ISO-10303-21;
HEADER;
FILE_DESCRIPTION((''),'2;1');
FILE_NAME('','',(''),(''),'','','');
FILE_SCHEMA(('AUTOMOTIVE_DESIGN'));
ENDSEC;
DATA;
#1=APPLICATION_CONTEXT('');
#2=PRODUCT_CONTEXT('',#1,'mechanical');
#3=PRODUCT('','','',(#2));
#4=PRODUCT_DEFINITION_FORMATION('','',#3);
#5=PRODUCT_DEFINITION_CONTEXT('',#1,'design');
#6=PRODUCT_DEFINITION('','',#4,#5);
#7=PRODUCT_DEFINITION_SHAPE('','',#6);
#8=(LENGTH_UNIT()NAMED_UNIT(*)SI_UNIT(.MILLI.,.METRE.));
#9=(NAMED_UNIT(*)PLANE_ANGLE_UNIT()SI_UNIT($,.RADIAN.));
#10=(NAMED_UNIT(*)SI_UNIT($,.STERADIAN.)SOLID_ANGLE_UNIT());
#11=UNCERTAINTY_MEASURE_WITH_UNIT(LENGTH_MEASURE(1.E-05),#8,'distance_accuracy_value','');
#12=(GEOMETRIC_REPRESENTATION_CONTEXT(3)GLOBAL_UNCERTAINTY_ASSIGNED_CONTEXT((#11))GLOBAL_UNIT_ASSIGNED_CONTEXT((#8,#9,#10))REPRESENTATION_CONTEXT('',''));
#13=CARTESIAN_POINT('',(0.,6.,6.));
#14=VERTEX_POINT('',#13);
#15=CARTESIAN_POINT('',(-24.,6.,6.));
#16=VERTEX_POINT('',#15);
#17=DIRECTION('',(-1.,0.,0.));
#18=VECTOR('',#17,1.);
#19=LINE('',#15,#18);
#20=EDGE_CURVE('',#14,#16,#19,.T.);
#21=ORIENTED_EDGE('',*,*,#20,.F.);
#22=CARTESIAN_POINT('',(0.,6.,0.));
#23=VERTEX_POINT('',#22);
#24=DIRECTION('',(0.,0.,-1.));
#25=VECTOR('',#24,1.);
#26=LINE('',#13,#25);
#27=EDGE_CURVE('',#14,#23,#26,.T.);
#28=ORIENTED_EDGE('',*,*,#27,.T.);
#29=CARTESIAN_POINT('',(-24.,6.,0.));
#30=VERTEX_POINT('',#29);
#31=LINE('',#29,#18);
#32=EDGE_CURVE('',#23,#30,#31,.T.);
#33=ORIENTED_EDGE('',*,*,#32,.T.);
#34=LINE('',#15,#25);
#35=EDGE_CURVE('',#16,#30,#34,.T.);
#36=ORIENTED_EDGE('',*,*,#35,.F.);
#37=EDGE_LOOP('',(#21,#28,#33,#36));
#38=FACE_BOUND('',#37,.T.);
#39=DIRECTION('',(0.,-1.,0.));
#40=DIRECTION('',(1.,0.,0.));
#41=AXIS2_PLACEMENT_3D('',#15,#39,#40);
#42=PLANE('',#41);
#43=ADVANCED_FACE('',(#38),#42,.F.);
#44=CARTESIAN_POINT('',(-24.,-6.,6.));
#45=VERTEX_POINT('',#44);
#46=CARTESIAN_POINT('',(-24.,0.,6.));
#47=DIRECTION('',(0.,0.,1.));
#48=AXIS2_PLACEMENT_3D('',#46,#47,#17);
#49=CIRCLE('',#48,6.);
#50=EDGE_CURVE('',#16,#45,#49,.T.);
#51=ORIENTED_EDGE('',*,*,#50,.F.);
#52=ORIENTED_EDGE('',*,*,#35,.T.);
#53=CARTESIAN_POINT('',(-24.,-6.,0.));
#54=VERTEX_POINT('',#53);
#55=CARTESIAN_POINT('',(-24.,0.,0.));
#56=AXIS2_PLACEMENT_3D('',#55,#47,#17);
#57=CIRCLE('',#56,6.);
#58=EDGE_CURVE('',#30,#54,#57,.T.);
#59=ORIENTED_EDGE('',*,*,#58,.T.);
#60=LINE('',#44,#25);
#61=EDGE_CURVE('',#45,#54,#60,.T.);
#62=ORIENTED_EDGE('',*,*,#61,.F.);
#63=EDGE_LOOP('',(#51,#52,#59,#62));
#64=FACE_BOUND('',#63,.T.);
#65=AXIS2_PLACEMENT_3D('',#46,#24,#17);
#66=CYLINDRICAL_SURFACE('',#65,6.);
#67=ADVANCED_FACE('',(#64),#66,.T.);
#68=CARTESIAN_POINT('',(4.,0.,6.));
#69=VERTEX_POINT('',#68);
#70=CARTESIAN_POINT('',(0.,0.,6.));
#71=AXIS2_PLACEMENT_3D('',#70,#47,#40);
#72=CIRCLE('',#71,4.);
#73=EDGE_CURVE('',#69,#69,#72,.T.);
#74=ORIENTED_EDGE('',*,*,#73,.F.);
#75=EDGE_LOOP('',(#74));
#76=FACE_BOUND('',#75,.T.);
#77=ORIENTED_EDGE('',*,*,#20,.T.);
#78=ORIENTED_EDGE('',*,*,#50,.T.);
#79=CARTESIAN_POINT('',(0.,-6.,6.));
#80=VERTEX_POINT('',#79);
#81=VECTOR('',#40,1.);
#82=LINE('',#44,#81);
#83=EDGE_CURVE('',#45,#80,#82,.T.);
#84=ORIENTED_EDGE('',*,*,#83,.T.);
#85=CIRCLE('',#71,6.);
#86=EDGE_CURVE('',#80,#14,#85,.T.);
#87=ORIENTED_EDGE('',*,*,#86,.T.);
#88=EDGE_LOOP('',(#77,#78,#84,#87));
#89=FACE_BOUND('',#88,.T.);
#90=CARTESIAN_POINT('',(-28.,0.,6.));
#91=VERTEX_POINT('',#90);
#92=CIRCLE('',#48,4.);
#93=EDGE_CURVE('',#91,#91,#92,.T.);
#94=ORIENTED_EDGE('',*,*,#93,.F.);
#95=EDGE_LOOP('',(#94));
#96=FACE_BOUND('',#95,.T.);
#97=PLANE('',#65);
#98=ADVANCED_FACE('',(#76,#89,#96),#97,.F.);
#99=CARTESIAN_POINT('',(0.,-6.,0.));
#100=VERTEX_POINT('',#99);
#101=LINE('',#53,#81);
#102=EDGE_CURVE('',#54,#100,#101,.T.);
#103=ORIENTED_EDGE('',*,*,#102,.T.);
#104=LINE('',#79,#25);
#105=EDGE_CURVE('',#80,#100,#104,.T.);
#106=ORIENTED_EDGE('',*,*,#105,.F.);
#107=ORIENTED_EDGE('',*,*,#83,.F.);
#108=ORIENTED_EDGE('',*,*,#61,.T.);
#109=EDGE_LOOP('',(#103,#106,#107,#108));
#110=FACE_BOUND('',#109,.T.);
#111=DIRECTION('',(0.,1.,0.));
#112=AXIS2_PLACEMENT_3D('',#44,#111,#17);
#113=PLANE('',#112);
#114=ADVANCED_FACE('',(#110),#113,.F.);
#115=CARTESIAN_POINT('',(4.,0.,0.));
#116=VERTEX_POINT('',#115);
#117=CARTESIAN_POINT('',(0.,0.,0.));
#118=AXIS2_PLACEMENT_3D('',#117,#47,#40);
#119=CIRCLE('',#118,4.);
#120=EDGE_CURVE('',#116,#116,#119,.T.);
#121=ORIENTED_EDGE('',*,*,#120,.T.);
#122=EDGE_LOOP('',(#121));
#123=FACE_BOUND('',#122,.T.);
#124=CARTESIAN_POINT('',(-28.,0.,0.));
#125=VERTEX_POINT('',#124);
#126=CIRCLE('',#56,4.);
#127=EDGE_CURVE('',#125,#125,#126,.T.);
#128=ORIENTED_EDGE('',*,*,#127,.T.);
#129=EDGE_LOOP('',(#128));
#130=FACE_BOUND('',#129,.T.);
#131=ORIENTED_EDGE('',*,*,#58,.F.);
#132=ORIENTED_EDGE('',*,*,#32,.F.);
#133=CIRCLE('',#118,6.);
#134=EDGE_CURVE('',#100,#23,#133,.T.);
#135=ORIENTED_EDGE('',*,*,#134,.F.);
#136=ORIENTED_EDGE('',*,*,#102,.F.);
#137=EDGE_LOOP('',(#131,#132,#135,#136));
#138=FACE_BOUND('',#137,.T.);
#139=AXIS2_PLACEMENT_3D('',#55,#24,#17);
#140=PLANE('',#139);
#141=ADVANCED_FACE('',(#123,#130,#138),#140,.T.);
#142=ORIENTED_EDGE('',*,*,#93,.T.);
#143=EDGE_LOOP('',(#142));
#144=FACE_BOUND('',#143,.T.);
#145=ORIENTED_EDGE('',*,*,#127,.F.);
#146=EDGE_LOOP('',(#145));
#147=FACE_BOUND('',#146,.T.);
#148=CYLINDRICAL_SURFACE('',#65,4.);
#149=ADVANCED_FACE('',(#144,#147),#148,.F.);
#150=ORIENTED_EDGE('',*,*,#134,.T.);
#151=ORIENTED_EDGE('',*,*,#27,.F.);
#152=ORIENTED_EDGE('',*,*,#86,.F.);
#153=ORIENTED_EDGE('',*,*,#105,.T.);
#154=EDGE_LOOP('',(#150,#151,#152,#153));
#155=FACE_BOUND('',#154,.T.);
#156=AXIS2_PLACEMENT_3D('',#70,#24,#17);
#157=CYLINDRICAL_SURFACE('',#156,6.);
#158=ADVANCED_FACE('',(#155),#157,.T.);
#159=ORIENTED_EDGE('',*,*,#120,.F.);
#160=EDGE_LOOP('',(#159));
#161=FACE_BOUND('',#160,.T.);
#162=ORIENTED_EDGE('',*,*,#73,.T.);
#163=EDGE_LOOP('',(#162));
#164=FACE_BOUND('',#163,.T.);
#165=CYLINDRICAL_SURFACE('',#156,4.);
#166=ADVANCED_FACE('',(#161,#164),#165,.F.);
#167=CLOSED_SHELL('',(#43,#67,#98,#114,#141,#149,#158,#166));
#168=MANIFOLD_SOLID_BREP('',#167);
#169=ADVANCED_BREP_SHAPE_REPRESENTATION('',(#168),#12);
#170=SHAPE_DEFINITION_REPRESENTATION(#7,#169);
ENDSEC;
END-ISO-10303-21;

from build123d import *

# Parameters (mm, degrees)
SKETCH1_R           = 4
BOSS_EXTRUDE1_DEPTH = 6


with BuildPart() as part:
    # Sketch1 → Boss-Extrude1 (new body)
    with BuildSketch(Plane.XY):
        with BuildLine():
            Line((-24, 6), (0, 6))
            ThreePointArc((0, 6), (6, 0), (0, -6))
            Line((0, -6), (-24, -6))
            ThreePointArc((-24, -6), (-30, 0), (-24, 6))
        make_face()
        Circle(SKETCH1_R, mode=Mode.SUBTRACT)
        with Locations((-24, 0)):
            Circle(SKETCH1_R, mode=Mode.SUBTRACT)
    extrude(amount=BOSS_EXTRUDE1_DEPTH)


solid = part.part
